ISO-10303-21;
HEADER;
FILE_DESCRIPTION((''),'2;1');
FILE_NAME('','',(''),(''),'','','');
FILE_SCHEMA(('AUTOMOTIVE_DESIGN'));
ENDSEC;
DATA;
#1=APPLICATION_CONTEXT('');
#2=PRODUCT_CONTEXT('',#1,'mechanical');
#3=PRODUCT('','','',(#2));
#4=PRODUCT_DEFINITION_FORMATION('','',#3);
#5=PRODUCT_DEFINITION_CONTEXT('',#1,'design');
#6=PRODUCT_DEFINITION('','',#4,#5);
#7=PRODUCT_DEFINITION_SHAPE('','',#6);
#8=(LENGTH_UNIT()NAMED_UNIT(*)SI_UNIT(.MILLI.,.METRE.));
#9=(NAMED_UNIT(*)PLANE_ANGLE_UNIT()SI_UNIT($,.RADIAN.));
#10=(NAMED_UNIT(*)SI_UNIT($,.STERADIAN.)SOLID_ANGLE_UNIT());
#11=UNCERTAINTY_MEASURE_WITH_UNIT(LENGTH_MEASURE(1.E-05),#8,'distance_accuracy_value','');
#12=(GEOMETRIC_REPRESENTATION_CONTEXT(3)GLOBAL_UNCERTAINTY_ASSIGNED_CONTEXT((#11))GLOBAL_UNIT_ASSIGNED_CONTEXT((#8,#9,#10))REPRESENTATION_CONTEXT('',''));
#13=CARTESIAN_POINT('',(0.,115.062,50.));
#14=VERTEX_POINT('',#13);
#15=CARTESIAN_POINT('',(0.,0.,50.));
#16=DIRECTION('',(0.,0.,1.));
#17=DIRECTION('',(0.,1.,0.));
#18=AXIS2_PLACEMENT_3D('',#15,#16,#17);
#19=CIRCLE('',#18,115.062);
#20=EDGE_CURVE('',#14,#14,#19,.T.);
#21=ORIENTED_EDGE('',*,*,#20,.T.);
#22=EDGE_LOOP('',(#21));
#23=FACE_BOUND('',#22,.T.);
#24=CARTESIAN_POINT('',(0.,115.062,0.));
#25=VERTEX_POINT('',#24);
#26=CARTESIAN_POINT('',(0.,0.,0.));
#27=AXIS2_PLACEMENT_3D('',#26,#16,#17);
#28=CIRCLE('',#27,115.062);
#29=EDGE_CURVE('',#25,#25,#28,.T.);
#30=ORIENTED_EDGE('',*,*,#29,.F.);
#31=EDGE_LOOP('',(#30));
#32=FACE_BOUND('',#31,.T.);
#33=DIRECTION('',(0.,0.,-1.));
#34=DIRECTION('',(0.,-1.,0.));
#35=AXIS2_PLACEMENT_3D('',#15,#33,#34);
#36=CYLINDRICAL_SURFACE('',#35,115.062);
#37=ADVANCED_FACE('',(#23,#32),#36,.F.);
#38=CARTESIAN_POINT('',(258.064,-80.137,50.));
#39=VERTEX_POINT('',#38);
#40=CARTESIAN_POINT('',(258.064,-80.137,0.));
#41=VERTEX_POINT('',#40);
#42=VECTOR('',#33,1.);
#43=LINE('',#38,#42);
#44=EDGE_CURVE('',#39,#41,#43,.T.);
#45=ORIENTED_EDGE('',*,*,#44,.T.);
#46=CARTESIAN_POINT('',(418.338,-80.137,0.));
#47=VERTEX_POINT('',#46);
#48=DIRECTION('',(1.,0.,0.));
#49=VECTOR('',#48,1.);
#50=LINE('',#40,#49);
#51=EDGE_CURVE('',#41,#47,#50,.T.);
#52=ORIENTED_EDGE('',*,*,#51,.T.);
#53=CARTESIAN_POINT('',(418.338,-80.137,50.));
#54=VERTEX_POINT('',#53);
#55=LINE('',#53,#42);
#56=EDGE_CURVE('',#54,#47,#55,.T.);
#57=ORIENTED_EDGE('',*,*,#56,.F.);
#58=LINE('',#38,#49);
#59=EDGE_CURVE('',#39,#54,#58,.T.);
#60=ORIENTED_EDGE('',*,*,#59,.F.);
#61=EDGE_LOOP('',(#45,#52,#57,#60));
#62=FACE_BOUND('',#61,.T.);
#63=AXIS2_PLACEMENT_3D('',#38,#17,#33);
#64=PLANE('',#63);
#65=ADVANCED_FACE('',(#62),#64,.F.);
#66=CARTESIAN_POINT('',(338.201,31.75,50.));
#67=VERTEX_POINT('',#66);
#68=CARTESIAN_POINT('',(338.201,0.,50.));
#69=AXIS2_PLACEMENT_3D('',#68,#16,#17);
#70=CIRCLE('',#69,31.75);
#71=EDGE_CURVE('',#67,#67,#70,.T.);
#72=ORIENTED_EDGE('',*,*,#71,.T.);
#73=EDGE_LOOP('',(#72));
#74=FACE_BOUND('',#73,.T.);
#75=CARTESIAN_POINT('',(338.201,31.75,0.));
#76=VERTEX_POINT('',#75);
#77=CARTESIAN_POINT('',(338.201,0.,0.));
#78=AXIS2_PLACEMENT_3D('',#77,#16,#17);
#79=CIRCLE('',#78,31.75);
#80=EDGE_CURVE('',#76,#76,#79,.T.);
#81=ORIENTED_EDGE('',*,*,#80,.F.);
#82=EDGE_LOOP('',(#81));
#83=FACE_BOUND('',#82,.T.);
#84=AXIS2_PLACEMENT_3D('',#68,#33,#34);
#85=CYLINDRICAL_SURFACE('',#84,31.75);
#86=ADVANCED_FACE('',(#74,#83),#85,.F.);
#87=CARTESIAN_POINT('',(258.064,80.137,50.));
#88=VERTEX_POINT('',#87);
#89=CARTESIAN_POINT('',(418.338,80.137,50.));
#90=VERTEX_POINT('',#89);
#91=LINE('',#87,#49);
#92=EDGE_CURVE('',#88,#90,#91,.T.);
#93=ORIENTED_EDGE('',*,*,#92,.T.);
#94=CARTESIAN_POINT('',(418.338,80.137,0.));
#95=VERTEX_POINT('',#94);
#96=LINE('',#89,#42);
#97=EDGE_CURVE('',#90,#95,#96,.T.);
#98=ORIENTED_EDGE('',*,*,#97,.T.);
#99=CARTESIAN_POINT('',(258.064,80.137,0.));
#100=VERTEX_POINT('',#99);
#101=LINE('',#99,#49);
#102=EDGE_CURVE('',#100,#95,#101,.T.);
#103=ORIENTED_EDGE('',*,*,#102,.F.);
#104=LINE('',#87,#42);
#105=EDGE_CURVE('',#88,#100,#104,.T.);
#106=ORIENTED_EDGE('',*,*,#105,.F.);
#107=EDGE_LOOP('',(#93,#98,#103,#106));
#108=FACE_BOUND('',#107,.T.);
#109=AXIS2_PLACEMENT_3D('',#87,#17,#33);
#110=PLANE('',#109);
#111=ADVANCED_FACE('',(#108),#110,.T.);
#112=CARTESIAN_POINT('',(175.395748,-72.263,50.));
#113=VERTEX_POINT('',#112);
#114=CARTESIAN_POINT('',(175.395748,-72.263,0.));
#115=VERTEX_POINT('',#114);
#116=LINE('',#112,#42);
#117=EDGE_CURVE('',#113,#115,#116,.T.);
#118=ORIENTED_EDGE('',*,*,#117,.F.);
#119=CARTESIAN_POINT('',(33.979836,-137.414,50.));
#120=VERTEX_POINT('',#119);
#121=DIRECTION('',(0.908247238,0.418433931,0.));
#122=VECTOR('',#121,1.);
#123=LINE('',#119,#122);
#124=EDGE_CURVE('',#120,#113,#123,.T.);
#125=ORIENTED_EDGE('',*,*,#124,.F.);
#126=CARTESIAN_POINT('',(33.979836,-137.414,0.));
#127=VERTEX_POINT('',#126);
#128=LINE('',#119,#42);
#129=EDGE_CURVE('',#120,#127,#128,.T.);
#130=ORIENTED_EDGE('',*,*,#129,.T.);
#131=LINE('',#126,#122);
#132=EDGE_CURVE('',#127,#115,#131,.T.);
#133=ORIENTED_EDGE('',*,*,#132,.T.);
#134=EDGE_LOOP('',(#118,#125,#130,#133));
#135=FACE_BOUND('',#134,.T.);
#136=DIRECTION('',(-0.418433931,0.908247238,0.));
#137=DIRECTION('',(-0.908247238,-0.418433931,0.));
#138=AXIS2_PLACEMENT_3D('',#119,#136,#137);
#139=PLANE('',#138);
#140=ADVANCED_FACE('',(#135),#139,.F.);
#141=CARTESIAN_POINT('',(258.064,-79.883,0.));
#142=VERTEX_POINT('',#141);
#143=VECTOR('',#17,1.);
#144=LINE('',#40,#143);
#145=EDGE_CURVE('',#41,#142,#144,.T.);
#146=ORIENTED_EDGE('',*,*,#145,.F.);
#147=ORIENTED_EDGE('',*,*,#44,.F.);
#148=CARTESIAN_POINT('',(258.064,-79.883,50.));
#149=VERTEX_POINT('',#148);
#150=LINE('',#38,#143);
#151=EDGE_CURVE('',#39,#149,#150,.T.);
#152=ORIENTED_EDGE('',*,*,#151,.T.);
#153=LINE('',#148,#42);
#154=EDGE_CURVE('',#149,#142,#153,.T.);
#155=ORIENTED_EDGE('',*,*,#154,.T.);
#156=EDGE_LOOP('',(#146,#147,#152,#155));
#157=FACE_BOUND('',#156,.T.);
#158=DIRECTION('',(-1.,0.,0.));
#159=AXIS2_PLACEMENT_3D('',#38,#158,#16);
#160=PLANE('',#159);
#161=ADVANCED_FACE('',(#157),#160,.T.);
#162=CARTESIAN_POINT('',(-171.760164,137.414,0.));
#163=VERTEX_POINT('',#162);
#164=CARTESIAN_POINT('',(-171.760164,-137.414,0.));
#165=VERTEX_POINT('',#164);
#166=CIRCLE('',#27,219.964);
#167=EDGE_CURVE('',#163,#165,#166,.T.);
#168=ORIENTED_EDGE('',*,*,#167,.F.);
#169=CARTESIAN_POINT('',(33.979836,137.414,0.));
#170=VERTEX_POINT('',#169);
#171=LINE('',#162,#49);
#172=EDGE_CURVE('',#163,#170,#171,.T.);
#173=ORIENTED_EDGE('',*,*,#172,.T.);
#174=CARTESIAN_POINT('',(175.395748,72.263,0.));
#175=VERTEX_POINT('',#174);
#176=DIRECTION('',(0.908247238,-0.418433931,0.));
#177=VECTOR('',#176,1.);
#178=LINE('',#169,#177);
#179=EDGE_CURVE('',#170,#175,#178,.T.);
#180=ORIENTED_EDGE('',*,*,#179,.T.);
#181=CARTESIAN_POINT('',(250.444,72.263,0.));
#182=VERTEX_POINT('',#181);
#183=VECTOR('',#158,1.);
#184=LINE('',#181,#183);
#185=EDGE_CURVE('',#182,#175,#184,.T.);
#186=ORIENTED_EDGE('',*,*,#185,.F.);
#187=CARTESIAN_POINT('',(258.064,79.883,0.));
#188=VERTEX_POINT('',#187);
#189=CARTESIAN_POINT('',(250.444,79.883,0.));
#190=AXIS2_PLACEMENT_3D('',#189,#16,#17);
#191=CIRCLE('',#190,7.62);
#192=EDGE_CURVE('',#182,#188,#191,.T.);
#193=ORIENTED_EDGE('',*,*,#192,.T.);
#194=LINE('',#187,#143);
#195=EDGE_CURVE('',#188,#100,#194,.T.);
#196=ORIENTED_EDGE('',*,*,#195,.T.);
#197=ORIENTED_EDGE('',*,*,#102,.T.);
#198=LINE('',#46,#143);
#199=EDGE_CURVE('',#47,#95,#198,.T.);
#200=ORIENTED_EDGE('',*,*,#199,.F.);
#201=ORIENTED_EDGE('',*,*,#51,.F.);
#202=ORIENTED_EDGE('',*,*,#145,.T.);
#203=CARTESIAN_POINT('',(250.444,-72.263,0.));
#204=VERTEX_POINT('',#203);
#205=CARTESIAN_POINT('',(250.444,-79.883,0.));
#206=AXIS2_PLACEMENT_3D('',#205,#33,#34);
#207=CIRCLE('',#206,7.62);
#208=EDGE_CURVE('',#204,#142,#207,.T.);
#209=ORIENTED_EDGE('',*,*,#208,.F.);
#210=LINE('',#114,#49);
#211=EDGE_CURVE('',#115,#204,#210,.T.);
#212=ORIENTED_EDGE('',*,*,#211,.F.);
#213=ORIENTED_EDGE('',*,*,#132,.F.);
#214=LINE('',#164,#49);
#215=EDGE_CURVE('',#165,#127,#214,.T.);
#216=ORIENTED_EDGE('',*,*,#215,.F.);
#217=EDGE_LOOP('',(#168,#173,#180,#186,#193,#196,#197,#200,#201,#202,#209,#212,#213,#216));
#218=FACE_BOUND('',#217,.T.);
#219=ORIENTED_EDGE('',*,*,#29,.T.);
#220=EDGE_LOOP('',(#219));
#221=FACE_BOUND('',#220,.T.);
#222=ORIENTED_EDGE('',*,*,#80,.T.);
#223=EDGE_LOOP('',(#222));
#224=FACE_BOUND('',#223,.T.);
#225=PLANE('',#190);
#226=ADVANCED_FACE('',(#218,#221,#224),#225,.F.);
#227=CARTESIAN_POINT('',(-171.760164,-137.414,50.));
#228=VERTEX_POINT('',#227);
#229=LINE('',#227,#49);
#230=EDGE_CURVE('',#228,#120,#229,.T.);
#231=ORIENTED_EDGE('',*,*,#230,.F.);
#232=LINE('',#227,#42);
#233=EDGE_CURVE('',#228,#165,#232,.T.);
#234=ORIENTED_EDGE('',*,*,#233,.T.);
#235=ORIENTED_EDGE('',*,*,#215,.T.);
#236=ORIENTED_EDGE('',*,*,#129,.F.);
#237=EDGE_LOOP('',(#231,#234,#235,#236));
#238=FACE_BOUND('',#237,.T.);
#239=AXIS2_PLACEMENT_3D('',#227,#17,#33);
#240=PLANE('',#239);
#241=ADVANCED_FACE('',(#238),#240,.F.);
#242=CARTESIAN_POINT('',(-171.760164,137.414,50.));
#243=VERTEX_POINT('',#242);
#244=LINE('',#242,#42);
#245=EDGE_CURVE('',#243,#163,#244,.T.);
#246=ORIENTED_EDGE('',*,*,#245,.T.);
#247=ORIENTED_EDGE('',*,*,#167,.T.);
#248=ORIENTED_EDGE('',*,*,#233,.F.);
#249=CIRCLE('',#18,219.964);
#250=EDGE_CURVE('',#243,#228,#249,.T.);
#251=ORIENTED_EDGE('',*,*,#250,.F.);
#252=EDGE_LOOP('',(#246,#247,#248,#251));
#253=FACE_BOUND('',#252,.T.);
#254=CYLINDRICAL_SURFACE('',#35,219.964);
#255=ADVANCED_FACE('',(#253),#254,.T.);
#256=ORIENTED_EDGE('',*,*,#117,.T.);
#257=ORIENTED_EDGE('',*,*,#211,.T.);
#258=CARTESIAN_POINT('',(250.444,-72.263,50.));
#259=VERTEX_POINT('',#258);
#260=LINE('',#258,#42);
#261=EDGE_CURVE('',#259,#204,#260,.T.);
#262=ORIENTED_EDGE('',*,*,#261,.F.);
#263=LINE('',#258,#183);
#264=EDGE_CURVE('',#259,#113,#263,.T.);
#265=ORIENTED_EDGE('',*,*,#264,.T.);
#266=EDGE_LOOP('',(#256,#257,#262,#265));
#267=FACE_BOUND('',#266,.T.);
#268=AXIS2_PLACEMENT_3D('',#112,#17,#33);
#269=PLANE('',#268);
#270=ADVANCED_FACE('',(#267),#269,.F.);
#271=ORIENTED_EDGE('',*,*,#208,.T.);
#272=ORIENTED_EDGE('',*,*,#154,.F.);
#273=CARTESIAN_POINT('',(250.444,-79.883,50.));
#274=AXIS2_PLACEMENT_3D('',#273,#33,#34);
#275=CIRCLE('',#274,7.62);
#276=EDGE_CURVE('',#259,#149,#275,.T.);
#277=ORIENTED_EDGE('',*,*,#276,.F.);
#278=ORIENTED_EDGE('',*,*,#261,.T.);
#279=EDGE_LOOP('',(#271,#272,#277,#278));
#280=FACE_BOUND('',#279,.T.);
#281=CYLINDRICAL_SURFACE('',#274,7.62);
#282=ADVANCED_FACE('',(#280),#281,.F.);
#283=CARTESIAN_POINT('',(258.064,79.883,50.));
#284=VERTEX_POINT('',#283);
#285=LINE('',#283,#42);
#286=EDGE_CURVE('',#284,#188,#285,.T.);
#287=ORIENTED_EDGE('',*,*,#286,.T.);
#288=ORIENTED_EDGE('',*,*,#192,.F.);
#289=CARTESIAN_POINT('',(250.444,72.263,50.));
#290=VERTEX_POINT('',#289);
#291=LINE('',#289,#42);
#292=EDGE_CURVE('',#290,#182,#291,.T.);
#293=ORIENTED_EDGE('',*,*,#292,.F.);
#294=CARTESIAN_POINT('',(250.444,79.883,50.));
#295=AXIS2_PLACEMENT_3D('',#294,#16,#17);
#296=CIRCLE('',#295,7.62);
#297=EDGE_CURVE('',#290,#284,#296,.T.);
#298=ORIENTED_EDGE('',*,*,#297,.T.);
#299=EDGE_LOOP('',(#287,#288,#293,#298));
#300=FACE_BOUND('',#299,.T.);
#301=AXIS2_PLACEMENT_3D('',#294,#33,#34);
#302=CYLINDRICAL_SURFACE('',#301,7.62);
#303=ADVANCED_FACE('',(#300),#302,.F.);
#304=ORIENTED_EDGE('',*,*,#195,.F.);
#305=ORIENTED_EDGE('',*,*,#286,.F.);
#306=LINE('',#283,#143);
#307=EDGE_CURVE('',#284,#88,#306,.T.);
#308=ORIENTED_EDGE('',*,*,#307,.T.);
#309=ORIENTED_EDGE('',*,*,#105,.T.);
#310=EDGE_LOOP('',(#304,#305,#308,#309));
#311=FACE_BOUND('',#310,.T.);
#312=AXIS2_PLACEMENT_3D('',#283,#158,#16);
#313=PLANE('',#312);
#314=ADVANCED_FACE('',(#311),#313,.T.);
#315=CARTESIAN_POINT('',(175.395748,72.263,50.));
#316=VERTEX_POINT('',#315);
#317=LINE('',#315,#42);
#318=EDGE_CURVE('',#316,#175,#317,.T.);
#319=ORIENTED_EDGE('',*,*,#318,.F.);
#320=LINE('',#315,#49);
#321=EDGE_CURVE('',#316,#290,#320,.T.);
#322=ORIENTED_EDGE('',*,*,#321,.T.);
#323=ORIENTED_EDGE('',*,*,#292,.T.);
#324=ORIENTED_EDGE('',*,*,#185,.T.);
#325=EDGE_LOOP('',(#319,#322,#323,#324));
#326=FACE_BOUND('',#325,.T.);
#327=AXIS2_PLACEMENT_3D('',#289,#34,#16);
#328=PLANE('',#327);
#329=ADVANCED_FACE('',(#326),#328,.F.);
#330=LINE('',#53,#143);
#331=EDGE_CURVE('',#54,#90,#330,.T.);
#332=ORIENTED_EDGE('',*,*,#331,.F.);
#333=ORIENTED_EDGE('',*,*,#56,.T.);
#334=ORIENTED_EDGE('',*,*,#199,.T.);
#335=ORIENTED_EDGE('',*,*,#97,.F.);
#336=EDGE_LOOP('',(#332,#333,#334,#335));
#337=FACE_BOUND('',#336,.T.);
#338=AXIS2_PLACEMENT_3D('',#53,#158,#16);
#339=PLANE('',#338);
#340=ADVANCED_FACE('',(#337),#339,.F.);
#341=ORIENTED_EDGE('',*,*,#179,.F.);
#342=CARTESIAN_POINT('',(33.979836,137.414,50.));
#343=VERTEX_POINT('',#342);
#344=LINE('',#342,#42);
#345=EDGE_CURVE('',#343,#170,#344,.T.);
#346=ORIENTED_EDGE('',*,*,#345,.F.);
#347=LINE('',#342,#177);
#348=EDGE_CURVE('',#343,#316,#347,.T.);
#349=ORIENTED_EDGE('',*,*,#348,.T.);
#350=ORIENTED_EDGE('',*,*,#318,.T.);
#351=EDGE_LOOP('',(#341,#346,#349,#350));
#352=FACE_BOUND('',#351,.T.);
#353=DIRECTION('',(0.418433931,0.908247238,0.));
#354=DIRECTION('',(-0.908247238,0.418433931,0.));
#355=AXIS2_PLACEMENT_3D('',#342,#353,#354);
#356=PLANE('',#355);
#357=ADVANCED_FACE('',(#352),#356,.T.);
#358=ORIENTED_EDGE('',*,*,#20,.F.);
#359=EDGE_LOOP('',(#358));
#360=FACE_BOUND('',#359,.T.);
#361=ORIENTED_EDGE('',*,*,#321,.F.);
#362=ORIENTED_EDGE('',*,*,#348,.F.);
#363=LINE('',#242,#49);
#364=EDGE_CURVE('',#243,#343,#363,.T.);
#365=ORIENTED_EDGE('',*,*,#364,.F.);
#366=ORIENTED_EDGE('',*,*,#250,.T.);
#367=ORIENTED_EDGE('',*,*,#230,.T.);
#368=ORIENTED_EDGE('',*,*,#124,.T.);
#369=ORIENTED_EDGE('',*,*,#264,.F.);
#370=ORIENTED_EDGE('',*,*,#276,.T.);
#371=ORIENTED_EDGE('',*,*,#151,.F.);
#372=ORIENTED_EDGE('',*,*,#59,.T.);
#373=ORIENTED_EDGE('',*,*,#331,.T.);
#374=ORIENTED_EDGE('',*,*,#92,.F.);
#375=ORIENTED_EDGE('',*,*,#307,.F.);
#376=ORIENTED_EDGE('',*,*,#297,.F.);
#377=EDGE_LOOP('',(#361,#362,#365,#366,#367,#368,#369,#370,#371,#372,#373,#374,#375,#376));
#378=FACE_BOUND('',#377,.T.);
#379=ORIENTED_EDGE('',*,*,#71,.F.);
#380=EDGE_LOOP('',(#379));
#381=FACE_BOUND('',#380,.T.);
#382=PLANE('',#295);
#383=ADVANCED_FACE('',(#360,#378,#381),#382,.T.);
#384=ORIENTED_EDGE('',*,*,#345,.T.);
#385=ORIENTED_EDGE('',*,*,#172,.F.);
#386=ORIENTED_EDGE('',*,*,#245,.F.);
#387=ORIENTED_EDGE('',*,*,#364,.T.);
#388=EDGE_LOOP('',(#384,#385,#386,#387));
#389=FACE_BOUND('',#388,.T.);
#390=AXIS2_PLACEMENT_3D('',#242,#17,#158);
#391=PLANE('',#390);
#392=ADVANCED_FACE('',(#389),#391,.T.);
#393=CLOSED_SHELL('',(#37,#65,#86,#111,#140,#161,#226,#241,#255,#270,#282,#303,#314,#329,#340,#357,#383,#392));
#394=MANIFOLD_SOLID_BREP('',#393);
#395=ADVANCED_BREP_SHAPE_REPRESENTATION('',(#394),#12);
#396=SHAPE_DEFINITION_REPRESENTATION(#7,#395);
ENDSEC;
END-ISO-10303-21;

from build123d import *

# Parameters (mm, degrees)
CROQUIS1_R                   = 115.062
CROQUIS1_R_2                 = 31.75
SALIENTE_EXTRUIR1_DEPTH      = 50
CORPS_D_PLACER_COPIER1_ANGLE = 90


with BuildPart() as part:
    # Croquis1 → Saliente-Extruir1 (new body)
    with BuildSketch(Plane.XY):
        with BuildLine():
            Line((-72.263, -175.395747529), (-72.263, -249.055747529))
            Line((-72.263, -249.055747529), (-72.263, -250.444))
            ThreePointArc((-72.263, -250.444), (-74.494846327, -255.832153673), (-79.883, -258.064))
            Line((-79.883, -258.064), (-80.137, -258.064))
            Line((-80.137, -258.064), (-80.137, -418.338))
            Line((-80.137, -418.338), (80.137, -418.338))
            Line((80.137, -418.338), (80.137, -258.064))
            Line((80.137, -258.064), (79.883, -258.064))
            ThreePointArc((79.883, -258.064), (74.494846327, -255.832153673), (72.263, -250.444))
            Line((72.263, -250.444), (72.263, -249.055747529))
            Line((72.263, -249.055747529), (72.263, -175.395747529))
            Line((72.263, -175.395747529), (137.414, -33.979836109))
            Line((137.414, -33.979836109), (137.414, 171.760163891))
            ThreePointArc((137.414, 171.760163891), (0, 219.964), (-137.414, 171.760163891))
            Line((-137.414, 171.760163891), (-137.414, -33.979836109))
            Line((-137.414, -33.979836109), (-72.263, -175.395747529))
        make_face()
        Circle(CROQUIS1_R, mode=Mode.SUBTRACT)
        with Locations((0, -338.201)):
            Circle(CROQUIS1_R_2, mode=Mode.SUBTRACT)
    extrude(amount=SALIENTE_EXTRUIR1_DEPTH)


with BuildPart() as part_1:
    # Corps-Déplacer/Copier1: moved
    add(part.part.rotate(Axis((0, 0, 0), (0, 0, 1)), CORPS_D_PLACER_COPIER1_ANGLE))


solid = part_1.part
